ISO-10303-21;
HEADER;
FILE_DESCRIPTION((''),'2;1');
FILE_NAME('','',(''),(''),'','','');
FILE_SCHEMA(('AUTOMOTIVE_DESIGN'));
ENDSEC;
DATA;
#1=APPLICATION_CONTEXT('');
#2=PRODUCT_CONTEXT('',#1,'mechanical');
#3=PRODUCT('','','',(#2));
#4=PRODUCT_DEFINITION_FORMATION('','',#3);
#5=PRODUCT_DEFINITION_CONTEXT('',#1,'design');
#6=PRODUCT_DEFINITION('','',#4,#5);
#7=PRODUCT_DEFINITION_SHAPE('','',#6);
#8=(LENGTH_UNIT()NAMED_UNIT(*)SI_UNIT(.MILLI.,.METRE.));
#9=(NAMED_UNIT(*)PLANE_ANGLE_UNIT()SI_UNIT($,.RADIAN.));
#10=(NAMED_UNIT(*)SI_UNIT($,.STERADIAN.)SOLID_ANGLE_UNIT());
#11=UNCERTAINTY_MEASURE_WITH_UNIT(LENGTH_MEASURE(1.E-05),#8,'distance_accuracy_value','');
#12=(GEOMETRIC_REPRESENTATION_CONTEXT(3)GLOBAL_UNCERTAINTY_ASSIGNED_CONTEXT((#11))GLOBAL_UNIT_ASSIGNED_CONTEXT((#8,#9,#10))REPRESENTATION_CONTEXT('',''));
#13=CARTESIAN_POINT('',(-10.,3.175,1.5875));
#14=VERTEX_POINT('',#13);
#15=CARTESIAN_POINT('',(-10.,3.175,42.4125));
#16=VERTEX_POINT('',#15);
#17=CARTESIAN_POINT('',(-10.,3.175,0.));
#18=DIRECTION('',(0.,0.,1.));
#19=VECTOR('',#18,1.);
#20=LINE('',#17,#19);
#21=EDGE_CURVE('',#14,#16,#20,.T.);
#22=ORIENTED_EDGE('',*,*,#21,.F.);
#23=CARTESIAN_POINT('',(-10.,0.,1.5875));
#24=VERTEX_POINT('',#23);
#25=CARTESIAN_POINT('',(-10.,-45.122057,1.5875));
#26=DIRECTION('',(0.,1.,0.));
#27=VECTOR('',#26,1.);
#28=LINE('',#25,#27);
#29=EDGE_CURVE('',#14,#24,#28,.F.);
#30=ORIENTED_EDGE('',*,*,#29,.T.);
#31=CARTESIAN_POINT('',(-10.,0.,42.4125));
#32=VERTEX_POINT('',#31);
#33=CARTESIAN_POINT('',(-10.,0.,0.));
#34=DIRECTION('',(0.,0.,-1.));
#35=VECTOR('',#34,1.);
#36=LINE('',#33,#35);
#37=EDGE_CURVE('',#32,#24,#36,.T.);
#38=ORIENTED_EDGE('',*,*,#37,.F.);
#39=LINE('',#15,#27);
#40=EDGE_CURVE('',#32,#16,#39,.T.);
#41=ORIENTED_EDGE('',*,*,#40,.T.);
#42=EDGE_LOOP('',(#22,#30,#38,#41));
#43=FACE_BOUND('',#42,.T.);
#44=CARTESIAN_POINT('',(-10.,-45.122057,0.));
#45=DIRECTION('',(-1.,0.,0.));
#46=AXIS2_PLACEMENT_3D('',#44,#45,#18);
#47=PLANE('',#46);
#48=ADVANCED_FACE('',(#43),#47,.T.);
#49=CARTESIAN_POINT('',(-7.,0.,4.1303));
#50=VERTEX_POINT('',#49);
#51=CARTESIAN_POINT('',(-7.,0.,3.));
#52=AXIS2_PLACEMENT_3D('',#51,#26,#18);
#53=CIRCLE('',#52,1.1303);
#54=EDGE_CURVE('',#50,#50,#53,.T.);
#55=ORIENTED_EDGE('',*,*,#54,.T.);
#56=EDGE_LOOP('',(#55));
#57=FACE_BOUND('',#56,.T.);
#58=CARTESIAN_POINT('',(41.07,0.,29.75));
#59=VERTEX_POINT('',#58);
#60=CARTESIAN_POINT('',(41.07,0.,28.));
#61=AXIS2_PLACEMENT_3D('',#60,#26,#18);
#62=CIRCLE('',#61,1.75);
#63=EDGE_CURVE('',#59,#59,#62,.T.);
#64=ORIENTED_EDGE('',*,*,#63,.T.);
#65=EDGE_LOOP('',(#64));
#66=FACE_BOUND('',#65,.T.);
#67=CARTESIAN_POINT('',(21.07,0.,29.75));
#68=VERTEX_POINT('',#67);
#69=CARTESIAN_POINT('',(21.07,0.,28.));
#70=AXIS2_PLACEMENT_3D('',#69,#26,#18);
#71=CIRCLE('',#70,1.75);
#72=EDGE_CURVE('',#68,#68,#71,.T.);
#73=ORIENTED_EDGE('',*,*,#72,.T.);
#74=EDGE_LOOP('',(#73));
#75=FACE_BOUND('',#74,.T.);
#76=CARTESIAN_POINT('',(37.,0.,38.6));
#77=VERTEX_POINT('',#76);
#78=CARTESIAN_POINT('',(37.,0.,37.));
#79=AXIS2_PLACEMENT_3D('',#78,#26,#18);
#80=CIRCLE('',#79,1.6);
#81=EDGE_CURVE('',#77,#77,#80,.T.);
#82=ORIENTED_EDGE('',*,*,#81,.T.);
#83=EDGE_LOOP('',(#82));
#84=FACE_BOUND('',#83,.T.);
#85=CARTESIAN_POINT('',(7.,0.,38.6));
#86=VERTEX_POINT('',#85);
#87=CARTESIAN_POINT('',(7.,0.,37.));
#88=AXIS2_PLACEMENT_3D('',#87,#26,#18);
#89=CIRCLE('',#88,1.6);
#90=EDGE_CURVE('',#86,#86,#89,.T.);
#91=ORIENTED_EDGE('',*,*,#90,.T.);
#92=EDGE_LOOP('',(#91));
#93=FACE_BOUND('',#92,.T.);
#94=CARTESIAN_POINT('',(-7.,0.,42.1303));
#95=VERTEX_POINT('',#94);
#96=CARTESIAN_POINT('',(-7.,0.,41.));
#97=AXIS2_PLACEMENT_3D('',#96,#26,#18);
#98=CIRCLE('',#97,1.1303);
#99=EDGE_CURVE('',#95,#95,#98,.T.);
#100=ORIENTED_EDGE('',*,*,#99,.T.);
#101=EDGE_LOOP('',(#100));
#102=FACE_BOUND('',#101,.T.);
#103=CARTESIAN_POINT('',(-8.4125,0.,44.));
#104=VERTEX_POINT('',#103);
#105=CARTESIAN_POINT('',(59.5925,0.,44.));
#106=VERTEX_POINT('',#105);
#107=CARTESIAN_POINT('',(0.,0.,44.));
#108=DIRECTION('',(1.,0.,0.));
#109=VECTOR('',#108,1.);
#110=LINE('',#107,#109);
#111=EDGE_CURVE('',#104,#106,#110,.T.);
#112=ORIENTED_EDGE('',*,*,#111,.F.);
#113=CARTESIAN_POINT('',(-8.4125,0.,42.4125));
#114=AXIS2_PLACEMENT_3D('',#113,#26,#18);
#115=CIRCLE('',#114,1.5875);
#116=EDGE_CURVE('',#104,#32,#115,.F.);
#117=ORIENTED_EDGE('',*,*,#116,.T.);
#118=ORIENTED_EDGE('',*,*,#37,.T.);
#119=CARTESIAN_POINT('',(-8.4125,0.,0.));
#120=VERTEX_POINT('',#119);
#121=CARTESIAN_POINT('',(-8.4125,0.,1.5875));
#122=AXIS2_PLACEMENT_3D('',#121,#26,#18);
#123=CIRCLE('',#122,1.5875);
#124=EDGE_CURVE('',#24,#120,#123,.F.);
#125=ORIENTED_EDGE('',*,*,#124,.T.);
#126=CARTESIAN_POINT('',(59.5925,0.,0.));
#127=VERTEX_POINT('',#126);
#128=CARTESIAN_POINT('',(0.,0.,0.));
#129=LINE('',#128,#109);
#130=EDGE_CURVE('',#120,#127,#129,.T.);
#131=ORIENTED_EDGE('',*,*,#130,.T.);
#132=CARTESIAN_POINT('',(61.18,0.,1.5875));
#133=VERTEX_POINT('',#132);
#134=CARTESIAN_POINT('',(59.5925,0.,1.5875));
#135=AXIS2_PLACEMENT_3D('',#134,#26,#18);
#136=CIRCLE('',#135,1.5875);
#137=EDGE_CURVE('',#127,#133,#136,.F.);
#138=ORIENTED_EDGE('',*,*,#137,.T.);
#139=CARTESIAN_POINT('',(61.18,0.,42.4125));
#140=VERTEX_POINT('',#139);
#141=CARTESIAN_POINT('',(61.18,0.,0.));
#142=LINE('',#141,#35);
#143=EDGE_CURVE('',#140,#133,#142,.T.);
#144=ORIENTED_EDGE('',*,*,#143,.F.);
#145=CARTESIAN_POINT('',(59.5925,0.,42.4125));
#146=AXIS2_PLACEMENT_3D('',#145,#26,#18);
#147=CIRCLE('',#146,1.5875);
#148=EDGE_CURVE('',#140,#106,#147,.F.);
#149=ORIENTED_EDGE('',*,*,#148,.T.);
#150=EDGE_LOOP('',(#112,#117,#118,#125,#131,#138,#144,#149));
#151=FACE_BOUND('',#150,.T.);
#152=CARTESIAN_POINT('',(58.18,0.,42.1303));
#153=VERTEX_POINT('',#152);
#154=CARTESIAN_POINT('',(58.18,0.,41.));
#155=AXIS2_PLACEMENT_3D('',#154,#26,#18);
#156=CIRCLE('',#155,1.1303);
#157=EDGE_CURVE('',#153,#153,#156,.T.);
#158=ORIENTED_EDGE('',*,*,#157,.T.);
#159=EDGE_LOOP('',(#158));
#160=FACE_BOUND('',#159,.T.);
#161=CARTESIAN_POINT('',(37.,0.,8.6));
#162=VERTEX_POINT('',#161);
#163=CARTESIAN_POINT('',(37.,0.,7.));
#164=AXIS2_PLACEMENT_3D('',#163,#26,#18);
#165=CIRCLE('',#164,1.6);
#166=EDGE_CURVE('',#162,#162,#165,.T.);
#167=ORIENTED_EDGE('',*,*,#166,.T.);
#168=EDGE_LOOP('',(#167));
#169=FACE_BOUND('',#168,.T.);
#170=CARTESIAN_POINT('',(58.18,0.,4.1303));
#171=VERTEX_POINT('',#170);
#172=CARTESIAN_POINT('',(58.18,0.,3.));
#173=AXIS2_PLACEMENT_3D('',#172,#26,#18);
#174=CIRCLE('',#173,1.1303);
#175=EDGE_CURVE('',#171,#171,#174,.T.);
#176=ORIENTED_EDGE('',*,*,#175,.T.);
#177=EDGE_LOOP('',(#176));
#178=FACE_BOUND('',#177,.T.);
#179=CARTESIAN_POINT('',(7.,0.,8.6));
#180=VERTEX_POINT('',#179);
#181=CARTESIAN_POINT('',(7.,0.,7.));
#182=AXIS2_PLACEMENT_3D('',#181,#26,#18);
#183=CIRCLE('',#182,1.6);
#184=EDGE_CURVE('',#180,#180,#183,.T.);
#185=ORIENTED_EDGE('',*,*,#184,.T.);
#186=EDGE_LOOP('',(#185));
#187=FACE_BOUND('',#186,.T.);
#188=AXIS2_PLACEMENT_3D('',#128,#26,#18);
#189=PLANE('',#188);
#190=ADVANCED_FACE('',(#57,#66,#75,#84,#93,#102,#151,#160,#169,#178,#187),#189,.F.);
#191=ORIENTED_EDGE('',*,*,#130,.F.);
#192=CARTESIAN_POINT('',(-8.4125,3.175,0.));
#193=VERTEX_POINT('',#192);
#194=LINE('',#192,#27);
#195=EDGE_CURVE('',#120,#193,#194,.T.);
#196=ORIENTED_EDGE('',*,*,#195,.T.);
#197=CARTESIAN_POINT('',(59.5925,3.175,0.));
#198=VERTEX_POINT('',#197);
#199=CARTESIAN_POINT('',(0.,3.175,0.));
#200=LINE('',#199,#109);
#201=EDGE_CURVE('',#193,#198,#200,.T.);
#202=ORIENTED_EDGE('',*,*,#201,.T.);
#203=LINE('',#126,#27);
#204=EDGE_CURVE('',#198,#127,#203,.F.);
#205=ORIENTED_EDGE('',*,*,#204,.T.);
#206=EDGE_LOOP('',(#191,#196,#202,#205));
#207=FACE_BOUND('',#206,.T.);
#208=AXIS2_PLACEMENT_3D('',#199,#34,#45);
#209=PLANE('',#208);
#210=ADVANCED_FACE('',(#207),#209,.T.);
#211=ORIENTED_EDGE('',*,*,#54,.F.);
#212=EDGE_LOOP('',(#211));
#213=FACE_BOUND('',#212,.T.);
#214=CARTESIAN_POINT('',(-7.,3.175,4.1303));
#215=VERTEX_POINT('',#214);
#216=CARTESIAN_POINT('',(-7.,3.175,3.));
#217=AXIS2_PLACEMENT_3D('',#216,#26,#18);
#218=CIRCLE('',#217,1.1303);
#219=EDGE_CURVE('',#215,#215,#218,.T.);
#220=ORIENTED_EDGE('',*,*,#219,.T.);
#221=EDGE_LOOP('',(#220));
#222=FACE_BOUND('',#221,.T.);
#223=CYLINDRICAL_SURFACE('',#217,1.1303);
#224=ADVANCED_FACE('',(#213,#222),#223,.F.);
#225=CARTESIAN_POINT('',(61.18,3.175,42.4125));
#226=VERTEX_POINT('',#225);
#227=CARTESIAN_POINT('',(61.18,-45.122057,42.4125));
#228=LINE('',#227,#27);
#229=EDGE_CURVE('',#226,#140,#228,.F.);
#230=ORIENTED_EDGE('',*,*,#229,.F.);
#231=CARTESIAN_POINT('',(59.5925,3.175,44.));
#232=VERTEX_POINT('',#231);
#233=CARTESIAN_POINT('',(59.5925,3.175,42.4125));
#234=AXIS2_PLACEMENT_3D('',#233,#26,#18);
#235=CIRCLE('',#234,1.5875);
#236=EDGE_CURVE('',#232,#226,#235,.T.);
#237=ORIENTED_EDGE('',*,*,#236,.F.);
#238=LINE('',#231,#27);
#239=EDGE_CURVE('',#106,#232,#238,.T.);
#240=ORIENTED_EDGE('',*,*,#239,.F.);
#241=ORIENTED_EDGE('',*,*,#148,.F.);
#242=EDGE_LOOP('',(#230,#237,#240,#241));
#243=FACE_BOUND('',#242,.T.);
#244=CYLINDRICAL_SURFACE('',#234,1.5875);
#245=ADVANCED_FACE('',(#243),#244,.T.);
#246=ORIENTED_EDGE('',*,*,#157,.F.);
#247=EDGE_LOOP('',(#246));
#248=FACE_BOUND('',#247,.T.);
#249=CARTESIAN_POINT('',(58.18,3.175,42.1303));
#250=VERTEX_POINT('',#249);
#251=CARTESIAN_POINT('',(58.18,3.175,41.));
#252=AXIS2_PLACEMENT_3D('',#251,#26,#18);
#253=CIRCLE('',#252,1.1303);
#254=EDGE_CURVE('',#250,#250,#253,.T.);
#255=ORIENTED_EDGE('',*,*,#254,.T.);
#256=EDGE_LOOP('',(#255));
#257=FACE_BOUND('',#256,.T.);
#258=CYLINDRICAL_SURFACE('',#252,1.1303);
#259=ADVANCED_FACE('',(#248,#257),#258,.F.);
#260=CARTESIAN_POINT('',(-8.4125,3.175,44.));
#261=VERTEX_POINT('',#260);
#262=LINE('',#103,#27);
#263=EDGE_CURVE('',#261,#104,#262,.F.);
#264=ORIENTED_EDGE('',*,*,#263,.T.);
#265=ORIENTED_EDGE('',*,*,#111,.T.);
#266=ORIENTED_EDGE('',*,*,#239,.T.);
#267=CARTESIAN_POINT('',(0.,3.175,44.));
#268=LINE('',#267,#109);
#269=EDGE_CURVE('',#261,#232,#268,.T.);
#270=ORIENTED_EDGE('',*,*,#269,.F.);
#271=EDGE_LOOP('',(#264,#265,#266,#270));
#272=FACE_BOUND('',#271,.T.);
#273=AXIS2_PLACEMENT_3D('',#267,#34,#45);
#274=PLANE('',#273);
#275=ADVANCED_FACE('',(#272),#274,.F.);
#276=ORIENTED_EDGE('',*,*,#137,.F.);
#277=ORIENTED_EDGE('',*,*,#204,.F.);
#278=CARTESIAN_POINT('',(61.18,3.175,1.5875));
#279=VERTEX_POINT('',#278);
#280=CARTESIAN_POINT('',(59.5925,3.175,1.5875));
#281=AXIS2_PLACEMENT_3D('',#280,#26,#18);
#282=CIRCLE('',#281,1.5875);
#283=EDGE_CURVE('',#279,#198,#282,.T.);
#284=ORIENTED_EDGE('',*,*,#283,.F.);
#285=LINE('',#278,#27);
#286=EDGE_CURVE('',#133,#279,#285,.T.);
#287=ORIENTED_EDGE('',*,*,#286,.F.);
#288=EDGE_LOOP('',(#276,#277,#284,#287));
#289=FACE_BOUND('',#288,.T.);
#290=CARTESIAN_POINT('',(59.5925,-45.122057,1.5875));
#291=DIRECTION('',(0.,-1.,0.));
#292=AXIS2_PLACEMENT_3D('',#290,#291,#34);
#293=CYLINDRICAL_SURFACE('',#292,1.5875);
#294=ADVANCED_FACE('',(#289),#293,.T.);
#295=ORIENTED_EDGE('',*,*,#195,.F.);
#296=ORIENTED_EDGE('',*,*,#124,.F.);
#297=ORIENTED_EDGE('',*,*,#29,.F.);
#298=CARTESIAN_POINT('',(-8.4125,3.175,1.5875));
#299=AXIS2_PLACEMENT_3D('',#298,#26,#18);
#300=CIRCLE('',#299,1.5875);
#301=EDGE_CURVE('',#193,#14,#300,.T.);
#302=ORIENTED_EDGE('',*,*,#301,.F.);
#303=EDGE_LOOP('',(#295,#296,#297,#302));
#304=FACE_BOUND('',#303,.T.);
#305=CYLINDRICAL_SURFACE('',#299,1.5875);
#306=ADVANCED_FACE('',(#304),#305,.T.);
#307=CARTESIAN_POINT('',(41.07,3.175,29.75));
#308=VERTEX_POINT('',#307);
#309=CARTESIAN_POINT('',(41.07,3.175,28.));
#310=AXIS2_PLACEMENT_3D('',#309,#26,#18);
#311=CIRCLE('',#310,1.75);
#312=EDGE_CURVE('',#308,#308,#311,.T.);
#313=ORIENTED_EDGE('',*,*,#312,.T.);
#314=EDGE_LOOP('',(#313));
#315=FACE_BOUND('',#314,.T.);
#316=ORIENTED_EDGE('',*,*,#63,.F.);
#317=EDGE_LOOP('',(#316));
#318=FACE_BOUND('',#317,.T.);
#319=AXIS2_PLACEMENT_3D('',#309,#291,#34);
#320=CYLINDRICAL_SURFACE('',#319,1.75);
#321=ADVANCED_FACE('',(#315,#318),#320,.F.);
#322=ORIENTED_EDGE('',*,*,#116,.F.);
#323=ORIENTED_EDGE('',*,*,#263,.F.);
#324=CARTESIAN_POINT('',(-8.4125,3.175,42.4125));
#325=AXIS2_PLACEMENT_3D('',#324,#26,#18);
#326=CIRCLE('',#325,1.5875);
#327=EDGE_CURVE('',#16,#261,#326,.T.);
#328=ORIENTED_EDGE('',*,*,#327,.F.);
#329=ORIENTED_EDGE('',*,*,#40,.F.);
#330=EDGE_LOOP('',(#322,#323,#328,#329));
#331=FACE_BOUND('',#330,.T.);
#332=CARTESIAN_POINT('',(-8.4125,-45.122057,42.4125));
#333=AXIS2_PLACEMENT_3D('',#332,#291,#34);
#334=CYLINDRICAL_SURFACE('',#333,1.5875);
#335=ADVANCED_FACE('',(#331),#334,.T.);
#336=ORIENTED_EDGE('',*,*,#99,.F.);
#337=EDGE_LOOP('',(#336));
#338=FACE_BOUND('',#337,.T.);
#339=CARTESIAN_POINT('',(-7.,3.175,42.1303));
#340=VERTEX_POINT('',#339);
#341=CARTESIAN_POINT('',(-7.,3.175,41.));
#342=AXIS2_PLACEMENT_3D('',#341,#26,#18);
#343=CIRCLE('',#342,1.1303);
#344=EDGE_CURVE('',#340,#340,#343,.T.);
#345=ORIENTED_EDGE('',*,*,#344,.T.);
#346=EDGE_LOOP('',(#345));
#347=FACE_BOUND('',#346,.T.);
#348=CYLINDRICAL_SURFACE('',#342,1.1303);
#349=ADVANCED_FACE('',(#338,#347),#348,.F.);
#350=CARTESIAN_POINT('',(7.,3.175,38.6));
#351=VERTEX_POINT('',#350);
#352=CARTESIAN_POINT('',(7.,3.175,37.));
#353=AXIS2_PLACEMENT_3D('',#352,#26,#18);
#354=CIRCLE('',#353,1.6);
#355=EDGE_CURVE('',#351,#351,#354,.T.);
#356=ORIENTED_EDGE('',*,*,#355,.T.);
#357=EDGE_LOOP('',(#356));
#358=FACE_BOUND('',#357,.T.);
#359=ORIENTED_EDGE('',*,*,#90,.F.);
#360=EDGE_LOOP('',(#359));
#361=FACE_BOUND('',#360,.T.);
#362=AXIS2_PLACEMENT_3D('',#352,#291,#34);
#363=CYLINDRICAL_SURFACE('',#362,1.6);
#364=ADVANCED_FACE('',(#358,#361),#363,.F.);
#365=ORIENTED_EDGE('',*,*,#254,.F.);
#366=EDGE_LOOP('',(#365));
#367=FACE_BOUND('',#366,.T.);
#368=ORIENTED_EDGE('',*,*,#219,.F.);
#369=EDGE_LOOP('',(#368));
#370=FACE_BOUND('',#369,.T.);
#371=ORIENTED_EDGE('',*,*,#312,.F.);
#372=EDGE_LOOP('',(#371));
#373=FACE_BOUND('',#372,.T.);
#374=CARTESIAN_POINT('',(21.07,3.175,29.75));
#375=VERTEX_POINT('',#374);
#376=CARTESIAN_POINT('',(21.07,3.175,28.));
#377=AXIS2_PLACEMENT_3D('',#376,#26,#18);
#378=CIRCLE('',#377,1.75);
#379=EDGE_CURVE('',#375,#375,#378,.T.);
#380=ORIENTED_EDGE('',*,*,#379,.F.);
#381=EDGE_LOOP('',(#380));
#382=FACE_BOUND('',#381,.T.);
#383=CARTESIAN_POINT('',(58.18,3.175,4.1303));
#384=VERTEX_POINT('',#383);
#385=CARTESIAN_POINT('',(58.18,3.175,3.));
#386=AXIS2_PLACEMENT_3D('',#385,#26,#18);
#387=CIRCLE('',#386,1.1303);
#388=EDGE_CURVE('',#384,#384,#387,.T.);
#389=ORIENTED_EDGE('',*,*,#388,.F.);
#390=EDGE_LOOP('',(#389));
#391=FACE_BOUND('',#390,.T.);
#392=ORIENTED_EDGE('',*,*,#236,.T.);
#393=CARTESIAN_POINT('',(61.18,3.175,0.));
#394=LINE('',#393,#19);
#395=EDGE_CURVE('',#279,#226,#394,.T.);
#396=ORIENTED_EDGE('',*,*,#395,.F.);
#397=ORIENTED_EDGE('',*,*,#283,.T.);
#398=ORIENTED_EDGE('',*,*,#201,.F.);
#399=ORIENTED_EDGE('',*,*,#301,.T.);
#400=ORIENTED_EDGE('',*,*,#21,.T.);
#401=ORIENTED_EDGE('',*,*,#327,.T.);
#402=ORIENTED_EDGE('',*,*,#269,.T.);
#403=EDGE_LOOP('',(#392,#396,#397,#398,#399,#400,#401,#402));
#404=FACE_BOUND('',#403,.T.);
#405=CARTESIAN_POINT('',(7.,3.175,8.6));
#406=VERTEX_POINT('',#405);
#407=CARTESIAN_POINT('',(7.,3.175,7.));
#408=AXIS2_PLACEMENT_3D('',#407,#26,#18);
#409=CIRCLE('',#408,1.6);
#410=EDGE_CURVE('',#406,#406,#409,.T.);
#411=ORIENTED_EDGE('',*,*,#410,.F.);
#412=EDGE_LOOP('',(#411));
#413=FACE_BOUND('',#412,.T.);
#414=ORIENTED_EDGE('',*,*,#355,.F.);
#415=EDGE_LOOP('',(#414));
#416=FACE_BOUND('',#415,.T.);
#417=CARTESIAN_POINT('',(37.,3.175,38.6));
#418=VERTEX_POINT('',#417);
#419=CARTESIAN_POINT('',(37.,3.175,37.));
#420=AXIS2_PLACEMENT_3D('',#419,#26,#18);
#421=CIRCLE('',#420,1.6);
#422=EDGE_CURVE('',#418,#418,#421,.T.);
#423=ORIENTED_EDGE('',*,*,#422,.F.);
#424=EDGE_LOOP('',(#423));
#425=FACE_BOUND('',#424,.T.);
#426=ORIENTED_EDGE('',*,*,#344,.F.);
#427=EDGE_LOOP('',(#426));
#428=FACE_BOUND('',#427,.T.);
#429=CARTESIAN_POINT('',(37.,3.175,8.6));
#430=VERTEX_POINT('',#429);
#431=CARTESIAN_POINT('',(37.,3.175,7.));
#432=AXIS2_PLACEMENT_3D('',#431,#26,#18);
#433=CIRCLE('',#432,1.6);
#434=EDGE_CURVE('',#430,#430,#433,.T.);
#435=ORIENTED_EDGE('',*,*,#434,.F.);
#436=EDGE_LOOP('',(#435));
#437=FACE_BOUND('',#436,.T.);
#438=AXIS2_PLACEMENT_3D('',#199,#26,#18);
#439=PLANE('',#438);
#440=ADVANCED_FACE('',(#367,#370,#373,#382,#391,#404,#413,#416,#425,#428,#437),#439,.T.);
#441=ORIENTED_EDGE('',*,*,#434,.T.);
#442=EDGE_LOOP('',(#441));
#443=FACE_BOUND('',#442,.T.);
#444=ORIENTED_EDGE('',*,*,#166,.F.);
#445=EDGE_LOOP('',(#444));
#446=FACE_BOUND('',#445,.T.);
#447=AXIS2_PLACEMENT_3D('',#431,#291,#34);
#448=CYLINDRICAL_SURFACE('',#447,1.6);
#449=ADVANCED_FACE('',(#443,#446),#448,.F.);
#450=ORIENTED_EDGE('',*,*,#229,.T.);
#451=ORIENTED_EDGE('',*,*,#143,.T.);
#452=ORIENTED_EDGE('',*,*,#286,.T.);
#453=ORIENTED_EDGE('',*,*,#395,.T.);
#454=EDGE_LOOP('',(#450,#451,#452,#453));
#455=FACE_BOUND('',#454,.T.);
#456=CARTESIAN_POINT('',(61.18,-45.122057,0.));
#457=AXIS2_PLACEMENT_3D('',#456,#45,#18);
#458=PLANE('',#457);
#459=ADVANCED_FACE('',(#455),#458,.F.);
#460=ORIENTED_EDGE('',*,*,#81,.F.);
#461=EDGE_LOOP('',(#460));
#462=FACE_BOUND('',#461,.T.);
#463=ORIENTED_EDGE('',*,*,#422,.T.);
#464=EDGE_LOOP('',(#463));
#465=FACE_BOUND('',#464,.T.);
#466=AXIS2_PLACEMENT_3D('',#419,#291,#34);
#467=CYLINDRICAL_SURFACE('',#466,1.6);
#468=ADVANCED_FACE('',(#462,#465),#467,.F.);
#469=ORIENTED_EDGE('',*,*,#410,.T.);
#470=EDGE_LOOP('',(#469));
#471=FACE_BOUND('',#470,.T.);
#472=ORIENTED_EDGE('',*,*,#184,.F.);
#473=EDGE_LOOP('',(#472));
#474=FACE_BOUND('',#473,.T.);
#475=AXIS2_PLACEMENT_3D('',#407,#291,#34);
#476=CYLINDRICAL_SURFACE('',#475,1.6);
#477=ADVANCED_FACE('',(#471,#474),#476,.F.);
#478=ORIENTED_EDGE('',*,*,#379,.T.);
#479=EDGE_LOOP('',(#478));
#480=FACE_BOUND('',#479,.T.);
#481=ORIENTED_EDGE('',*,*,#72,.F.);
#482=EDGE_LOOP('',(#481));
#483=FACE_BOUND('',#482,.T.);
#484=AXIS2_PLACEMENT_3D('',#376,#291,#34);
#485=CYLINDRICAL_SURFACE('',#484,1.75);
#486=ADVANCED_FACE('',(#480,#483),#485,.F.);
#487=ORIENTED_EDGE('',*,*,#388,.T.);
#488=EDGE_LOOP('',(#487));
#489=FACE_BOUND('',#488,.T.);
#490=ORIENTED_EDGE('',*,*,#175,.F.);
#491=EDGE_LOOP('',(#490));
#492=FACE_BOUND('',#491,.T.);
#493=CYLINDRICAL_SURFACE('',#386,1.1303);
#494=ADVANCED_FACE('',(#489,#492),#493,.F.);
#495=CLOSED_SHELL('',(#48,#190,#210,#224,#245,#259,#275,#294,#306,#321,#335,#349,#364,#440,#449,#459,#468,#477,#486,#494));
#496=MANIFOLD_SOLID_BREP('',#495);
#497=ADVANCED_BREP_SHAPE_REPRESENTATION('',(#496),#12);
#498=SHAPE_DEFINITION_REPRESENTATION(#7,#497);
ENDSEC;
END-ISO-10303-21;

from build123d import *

# Parameters (mm, degrees)
SKETCH1_W             = 44
SKETCH1_H             = 44
SKETCH1_R             = 1.6
SKETCH1_R_2           = 1.75
SKETCH1_W_2           = 7.18
BOSS_EXTRUDE1_DEPTH   = 3.175
SKETCH2_W             = 10
SKETCH2_H             = 44
BOSS_EXTRUDE2_DEPTH   = 3.175
F_4_40_TAPPED_HOLE1_D = 2.2606
FILLET2_R             = 1.5875


with BuildPart() as part:
    # Sketch1 → Boss-Extrude1 (new body)
    # profile 1 of 2: a face of its own
    with BuildSketch(Plane(origin=(0, 0, 0), x_dir=(1, 0, 0), z_dir=(0, 1, 0))):
        with Locations((22, -22)):
            Rectangle(SKETCH1_W, SKETCH1_H)
        with Locations(Location((7, -37, 0), (0, 0, 270))):
            Circle(SKETCH1_R, mode=Mode.SUBTRACT)
        with Locations(Location((21.07, -28, 0), (0, 0, 270))):
            Circle(SKETCH1_R_2, mode=Mode.SUBTRACT)
        with Locations(Location((37, -37, 0), (0, 0, 270))):
            Circle(SKETCH1_R, mode=Mode.SUBTRACT)
        with Locations(Location((41.07, -28, 0), (0, 0, 270))):
            Circle(SKETCH1_R_2, mode=Mode.SUBTRACT)
        with Locations(Location((7, -7, 0), (0, 0, 270))):
            Circle(SKETCH1_R, mode=Mode.SUBTRACT)
        with Locations(Location((37, -7, 0), (0, 0, 270))):
            Circle(SKETCH1_R, mode=Mode.SUBTRACT)
    # profile 2 of 2: a face of its own
    with BuildSketch(Plane(origin=(0, 0, 0), x_dir=(1, 0, 0), z_dir=(0, 1, 0))):
        with Locations((47.59, -22)):
            Rectangle(SKETCH1_W_2, SKETCH1_H)
    extrude(amount=BOSS_EXTRUDE1_DEPTH)

    # Sketch2 → Boss-Extrude2 (add)
    with BuildSketch(Plane(origin=(0, 3.175, 0), x_dir=(1, 0, 0), z_dir=(0, 1, 0))):
        with Locations((-5, -22)):
            Rectangle(SKETCH2_W, SKETCH2_H)
        with Locations((56.18, -22)):
            Rectangle(SKETCH2_W, SKETCH2_H)
    extrude(amount=-BOSS_EXTRUDE2_DEPTH)

    # #4-40 Tapped Hole1 (through all)
    with Locations(Plane(origin=(-7, 3.175, 3), x_dir=(0, 0, 1), z_dir=(0, 1, 0))):
        with Locations((0, 0), (38, 0), (0, 65.18), (38, 65.18)):
            Hole(F_4_40_TAPPED_HOLE1_D / 2)

    # Fillet2
    fillet2_edges = [part.edges().sort_by_distance(p)[0] for p in [
        (-10, 1.5875, 0),
        (-10, 1.5875, 44),
        (61.18, 1.5875, 44),
        (61.18, 1.5875, 0),
    ]]
    fillet(fillet2_edges, radius=FILLET2_R)


solid = part.part
